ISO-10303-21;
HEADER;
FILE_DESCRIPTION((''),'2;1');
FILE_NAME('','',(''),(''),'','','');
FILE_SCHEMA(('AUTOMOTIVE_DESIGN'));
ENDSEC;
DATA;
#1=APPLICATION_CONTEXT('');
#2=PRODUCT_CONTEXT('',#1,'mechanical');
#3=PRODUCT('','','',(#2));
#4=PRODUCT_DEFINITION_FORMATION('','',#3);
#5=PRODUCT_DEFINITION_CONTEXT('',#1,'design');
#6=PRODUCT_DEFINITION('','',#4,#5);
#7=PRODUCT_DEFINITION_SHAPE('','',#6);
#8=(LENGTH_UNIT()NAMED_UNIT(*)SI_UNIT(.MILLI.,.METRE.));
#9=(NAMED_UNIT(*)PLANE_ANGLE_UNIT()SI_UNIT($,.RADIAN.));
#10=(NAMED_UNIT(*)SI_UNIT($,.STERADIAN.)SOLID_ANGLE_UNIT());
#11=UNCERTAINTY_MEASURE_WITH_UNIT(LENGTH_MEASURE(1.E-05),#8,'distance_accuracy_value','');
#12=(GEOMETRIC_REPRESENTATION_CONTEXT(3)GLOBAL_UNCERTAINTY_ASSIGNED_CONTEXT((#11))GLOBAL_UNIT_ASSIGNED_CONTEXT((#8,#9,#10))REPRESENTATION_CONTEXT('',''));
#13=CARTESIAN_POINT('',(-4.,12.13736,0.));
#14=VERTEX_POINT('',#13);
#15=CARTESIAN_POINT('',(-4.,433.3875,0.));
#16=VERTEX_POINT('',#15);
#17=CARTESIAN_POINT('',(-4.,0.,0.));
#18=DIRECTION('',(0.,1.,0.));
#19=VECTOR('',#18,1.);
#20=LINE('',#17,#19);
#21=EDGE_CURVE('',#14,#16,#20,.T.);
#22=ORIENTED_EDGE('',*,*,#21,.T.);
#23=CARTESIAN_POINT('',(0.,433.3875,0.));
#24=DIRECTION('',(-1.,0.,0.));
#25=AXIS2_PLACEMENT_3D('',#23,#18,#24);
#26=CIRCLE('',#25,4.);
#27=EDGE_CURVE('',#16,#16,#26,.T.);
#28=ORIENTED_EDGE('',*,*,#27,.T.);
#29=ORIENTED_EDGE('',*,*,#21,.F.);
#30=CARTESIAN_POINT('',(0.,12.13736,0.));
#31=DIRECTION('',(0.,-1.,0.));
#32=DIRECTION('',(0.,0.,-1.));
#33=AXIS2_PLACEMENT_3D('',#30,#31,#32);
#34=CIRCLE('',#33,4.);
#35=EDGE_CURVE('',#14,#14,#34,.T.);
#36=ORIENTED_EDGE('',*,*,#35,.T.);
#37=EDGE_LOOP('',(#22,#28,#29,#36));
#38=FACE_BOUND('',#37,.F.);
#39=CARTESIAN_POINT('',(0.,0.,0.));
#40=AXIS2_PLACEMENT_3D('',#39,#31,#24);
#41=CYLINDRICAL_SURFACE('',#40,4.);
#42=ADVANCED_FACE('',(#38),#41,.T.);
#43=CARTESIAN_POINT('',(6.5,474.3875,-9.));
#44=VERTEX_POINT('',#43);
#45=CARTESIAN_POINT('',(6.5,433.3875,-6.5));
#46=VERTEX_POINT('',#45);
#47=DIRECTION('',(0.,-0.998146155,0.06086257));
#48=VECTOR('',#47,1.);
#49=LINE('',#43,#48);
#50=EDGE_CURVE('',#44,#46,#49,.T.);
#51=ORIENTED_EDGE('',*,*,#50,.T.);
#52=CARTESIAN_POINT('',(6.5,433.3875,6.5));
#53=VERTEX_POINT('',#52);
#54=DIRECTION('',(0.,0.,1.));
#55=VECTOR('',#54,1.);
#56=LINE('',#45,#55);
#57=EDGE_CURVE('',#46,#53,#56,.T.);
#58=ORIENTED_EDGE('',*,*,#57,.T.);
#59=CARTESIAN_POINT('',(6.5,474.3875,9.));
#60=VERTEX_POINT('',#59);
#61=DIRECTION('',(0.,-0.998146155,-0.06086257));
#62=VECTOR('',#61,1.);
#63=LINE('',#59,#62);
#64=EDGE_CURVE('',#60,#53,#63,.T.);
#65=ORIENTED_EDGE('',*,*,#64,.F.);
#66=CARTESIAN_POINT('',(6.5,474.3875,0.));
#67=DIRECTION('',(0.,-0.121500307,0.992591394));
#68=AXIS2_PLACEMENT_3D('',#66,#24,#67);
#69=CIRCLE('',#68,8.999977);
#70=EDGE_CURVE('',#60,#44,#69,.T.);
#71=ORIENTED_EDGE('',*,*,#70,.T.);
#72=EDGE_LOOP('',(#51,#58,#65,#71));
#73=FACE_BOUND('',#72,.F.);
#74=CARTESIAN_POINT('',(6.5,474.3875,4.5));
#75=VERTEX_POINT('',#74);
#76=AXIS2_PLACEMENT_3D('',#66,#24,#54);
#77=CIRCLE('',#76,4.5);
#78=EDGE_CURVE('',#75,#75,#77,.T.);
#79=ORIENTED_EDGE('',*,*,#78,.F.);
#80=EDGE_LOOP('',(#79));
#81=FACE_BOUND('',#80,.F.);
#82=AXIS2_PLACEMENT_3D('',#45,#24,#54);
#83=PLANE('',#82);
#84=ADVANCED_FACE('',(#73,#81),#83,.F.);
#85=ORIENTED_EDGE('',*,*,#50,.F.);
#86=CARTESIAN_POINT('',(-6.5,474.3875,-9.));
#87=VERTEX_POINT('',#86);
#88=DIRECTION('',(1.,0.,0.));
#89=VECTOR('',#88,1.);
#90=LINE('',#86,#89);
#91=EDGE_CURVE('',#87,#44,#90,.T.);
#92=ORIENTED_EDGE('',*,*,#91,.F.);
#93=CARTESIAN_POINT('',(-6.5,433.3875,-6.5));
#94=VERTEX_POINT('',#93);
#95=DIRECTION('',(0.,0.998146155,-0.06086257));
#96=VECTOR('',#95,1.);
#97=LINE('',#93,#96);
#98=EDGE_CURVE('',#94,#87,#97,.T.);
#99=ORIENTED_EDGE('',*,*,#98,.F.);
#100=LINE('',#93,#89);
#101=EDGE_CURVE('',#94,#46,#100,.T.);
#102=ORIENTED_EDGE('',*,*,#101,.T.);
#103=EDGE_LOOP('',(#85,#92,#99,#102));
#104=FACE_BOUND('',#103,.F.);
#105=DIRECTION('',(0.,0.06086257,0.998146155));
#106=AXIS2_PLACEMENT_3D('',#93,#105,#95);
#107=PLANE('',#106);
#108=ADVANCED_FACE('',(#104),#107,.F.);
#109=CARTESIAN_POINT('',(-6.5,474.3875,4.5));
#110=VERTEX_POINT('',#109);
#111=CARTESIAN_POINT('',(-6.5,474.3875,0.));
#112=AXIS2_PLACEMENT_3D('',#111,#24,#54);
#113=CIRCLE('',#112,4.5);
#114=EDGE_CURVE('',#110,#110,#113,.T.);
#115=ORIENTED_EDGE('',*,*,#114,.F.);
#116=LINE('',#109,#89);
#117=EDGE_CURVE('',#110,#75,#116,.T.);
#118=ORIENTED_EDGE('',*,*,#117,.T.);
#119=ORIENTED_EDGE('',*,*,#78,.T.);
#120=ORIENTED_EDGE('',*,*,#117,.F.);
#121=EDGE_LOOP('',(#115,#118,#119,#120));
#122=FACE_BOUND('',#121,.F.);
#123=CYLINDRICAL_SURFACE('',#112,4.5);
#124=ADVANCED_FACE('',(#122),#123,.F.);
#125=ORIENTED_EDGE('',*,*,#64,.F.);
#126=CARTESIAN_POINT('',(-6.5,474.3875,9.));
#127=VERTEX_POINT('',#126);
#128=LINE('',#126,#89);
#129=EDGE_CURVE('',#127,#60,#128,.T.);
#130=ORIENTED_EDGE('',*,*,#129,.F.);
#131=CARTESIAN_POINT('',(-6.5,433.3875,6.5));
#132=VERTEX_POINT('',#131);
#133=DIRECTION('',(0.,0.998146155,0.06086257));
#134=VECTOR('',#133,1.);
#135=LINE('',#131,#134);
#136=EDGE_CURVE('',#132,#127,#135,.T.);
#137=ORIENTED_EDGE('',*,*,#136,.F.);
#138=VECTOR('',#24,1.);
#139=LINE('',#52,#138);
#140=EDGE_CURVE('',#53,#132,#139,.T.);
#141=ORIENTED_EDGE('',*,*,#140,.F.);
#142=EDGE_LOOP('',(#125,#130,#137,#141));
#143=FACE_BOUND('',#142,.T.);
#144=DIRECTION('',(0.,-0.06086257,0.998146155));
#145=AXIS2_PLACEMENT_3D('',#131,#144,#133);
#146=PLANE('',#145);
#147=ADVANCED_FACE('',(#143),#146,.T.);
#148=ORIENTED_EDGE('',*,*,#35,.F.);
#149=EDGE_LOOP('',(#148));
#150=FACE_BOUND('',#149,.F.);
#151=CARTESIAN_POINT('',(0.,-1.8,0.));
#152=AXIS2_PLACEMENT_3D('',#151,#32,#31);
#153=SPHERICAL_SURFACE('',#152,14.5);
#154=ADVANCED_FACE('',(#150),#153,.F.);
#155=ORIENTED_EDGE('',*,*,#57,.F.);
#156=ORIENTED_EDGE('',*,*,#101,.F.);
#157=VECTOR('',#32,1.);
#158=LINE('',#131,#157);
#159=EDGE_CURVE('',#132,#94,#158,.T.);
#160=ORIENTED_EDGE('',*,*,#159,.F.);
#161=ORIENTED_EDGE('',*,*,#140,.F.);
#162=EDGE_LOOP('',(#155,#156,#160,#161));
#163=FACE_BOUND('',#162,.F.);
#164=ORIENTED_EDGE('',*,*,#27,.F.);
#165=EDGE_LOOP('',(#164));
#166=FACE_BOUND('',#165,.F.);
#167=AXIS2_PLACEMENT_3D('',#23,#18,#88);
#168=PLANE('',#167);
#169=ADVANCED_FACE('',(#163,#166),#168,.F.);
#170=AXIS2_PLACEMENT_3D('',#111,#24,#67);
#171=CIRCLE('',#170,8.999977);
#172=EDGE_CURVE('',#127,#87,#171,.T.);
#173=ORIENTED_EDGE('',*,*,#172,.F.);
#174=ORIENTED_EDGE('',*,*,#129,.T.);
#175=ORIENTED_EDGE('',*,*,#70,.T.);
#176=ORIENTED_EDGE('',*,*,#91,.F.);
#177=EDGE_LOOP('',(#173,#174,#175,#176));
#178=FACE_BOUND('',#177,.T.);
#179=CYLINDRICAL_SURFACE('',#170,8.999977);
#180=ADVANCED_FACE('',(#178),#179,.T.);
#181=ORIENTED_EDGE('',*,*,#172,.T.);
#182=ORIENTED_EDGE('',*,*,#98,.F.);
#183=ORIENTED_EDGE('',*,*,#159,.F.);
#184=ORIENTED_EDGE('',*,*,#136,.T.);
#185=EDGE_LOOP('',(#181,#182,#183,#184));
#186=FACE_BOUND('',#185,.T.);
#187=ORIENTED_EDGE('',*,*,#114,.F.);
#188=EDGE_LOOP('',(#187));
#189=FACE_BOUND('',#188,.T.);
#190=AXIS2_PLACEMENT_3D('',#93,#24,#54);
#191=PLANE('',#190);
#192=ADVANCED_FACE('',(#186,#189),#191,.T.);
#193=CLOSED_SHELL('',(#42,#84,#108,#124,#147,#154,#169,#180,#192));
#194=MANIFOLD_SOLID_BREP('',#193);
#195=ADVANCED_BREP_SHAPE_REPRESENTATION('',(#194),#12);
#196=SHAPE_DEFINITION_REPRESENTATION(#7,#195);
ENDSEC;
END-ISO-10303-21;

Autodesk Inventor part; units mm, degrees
ref_plane "YZ Plane" through (0, 0, 0) normal (1, 0, 0) x (0, 1, 0)
ref_plane "XZ Plane" through (0, 0, 0) normal (0, 1, 0) x (-1, 0, 0)
ref_plane "XY Plane" through (0, 0, 0) normal (0, 0, 1) x (1, 0, 0)
sketch "Sketch1" plane through (0, 0, 0) normal (0, 1, 0) x (-1, 0, 0)
  circle A0 centre (0, 0) radius 4
  dimension "d0" = 8
extrude "Extrusion1" add sketch "Sketch1" along normal blind 433.3875
sketch "Sketch2" plane through (0, 433.3875, 0) normal (0, 1, 0) x (1, 0, 0)
  circle A0 centre (0, 0) radius 4 projected
  line L0 (6.5, -6.5) -> (-6.5, -6.5)
  line L1 (-6.5, -6.5) -> (-6.5, 6.5)
  line L2 (-6.5, 6.5) -> (6.5, 6.5)
  line L3 (6.5, 6.5) -> (6.5, -6.5)
  line L4 (6.5, -6.5) -> (-6.5, 6.5) construction
  line L5 (-6.5, -6.5) -> (6.5, 6.5) construction
  dimension "d3" = 13
  dimension "d4" = 13
extrude "Extrusion2" add sketch "Sketch2" along normal blind 41 contours A0 | L0 L1 L2 L3
sketch "Sketch3" plane through (-6.5, 433.3875, -6.5) normal (-1, 0, 0) x (0, 0, 1)
  line L0 (13, 0) -> (13, 41) projected
  line L1 (0, 0) -> (0, 41) projected
  line L2 (13, 41) -> (0, 41) projected
  arc A0 (15.4333, 39.9065) -> (-2.4333, 39.9065) centre (6.5, 41) ccw
  line L3 (13, 0) -> (15.5, 41)
  line L4 (0, 0) -> (-2.5, 41)
  point P0 (6.5, -433.3875)
  dimension "d7" = 18
extrude "Extrusion3" add sketch "Sketch3" against normal blind 13 contours L0 L2 L1 L4 A0 L3
sketch "Sketch4" plane through (-6.5, 474.3875, 0) normal (-1, 0, 0) x (0, 0, 1)
  arc A0 (9, 0) -> (-9, 0) centre (0, 0) ccw projected
  circle A1 centre (0, 0) radius 4.5
  point P0 (0, -474.3875)
  dimension "d11" = 9
extrude "Extrusion4" cut sketch "Sketch4" against normal blind 15
sketch "Sketch5" plane through (6.5, 433.3875, 6.5) normal (1, 0, 0) x (0, 0, -1)
  line L0 (13, 0) -> (15.5, 41) projected
  line L1 (13, 0) -> (14.2173, 19.9629)
  circle A0 centre (6.5, 41) radius 4.5 projected
  line L2 (14.2173, 19.9629) -> (6.5, 41)
  line L3 (14.2173, 19.9629) -> (6.5, 41)
  line L4 (6.5, 41) -> (7.4388, 41.3444)
  line L5 (7.4388, 41.3444) -> (15.1561, 20.3073)
  line L6 (15.1561, 20.3073) -> (14.2173, 19.9629)
  point P0 (6.5, -433.3875)
  dimension "d25" = 20
  dimension "d26" = 1
extrude "Extrusion5" [suppressed]
sketch "Sketch6" plane through (6.5, 433.3875, -6.5) normal (0, -0.0609, -0.9981) x (-1, 0, 0)
  line L0 (13, 20) -> (0, 20) projected
  line L1 (13, 0) -> (0, 0) projected
  line L2 (6.5, 0) -> (6.5, 32)
  point P0 (6.5, -432.9797)
  dimension "d29" = 32
hole "Hole2" [suppressed]
thread "Thread2" size "M3x0.5" class "6H" standard "ANSI Metric M Profile" full length
sketch "Sketch7" plane through (0, 0, 0) normal (1, 0, 0) x (0, 1, 0)
  line L0 (0, 0) -> (12.7, 0)
  line L1 (0, 0) -> (-16.3, 0)
  line L2 (0, 0) -> (-1.8, 0)
  arc A0 (-1.8, 14.5) -> (-1.8, -14.5) centre (-1.8, 0) ccw
  line L3 (-1.8, 14.5) -> (-1.8, -14.5)
  dimension "d41" = 12.7
  dimension "d43" = 1.8
revolve "Revolution1" cut sketch "Sketch7" angle 360 about axis through (0, -1.8, 14.5) along (0, 0, -1)
properties part number "Rod"
